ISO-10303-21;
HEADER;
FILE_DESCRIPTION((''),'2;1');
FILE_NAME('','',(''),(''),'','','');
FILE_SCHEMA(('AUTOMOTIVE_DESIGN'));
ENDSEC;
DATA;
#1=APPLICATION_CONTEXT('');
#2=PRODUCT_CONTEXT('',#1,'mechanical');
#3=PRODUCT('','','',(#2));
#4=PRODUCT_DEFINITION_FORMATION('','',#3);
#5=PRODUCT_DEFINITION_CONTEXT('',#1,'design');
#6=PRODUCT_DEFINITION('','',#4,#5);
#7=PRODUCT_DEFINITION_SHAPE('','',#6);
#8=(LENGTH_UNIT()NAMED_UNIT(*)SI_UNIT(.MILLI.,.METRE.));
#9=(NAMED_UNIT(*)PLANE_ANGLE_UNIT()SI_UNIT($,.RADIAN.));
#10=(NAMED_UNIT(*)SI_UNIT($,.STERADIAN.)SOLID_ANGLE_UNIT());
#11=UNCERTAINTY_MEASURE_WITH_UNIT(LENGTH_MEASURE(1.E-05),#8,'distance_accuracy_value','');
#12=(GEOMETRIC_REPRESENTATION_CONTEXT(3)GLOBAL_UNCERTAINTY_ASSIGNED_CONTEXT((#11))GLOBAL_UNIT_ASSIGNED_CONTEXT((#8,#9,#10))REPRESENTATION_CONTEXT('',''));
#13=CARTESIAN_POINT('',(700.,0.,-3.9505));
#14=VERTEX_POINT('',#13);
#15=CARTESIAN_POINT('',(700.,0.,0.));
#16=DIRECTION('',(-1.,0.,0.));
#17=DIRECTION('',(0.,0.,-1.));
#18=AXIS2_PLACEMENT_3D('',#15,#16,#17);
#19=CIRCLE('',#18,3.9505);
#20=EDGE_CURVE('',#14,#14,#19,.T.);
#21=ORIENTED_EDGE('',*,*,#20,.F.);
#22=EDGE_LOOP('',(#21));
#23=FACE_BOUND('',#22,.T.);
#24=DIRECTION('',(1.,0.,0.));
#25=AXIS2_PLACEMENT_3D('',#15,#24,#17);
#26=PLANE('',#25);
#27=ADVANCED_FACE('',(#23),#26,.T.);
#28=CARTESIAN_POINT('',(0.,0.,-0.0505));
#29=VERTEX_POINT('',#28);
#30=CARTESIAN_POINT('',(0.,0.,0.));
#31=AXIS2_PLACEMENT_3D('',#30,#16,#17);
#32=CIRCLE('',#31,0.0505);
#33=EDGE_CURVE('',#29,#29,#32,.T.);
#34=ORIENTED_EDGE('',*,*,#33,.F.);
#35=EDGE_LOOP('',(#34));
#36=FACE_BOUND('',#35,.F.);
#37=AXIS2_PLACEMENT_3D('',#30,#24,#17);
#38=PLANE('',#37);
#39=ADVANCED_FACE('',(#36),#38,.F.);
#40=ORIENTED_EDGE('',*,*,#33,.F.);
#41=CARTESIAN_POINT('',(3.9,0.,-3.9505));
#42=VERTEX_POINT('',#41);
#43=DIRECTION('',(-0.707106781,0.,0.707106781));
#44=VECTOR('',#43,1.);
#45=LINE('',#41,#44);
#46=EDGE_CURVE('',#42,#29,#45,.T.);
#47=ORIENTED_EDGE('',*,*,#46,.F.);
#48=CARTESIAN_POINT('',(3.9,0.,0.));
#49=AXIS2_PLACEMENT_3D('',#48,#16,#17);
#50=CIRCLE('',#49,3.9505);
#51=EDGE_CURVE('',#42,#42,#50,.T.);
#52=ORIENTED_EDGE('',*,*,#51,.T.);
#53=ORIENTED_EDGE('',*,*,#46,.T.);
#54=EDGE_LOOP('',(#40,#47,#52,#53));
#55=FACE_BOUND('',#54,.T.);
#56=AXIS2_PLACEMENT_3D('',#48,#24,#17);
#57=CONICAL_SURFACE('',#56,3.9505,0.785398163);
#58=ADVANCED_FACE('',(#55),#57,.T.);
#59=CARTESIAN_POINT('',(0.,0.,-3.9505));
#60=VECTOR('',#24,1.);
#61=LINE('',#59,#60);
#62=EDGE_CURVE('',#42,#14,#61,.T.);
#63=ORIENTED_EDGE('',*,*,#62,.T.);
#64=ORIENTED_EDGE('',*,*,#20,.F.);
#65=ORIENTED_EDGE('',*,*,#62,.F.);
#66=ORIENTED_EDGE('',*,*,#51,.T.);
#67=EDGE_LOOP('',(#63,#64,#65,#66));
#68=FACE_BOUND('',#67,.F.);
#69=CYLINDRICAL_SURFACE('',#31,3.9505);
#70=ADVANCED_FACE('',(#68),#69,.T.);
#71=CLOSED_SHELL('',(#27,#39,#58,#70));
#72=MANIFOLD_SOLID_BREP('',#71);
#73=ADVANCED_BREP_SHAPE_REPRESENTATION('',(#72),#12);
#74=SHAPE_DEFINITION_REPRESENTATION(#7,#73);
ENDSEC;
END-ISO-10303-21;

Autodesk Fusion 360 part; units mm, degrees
sketch "Eskiz1" plane through (0, 0, 0) normal (1, 0, 0) x (0, 0, -1)
  circle A0 centre (0, 0) radius 4
  dimension "d1" = 8
extrude "Ekstrüde Et1" add sketch "Eskiz1" along normal blind 700
thread "Diş1" "ISO Metric profile 8.0 M8x0.8 6g" major diameter 7.901 minor diameter 6.9838 pitch 0.8 angle 60 resizes the face on face at (233.3333, -0.9225, -3.8922)
chamfer "Oluk2" distance 3.9 angle 45 1 faces at (0, 0.7523, -0.0139)
